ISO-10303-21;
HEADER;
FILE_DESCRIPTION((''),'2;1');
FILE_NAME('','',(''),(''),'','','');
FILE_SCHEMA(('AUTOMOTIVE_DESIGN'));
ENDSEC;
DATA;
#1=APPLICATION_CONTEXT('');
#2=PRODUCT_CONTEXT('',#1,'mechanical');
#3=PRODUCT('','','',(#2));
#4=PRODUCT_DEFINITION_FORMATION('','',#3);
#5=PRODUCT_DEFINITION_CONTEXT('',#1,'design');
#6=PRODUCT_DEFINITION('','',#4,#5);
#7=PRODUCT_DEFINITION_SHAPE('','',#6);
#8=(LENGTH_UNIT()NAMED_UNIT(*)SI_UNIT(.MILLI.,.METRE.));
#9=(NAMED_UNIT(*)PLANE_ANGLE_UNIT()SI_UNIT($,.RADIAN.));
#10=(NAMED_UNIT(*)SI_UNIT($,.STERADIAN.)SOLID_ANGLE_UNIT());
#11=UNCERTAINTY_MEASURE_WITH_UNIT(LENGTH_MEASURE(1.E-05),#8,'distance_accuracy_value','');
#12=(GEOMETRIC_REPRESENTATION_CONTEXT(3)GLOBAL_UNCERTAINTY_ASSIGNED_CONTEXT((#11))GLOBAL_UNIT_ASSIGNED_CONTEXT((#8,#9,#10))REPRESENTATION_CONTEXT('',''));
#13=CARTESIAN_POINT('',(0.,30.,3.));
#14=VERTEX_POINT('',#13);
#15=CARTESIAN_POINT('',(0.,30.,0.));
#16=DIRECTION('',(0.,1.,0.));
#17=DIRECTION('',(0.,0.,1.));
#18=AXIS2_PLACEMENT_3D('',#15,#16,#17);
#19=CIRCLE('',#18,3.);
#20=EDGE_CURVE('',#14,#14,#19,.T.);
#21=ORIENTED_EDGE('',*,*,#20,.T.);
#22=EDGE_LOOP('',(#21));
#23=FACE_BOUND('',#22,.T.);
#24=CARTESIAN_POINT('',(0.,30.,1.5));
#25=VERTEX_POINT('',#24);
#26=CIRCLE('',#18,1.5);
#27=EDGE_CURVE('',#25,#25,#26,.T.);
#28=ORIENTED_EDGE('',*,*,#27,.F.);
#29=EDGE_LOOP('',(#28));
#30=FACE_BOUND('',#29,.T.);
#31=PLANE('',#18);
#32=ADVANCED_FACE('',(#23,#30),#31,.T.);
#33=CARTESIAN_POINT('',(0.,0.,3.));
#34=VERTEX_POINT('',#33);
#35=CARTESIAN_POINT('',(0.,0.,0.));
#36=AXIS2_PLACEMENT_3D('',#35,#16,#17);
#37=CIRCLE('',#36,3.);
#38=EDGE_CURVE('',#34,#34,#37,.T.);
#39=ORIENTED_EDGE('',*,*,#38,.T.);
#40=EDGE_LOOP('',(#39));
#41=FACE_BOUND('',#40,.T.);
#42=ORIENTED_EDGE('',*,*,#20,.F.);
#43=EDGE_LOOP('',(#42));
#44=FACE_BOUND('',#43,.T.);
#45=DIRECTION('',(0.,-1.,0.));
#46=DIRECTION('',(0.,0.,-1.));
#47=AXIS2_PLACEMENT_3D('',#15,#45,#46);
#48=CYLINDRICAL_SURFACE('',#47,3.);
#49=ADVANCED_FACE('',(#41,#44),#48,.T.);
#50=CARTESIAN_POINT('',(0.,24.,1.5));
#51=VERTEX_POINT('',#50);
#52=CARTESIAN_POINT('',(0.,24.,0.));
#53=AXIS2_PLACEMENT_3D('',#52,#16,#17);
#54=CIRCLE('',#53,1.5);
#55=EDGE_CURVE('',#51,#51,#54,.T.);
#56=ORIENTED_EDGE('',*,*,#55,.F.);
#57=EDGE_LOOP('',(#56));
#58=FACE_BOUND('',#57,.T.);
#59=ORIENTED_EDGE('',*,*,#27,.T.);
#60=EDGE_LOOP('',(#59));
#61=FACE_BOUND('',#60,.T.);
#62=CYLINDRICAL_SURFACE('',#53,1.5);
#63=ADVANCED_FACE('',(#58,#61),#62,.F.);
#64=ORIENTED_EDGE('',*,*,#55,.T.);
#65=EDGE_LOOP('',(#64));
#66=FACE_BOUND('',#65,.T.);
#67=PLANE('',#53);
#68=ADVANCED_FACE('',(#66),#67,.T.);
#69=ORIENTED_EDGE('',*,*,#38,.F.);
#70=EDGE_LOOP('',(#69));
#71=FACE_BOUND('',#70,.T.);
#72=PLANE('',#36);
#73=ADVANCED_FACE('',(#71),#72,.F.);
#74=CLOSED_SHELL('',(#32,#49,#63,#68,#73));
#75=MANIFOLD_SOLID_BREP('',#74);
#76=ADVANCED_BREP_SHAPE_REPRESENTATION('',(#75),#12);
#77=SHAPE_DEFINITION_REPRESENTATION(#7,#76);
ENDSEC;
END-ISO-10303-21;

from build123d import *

# Parameters (mm, degrees)
SKETCH_1_R          = 3
EXTRUDE_1_DEPTH     = 30
SKETCH_2_R          = 1.5
CUT_EXTRUDE_1_DEPTH = 6


with BuildPart() as part:
    # 스케치1 → 보스-돌출1 (new body)
    with BuildSketch(Plane(origin=(0, 0, 0), x_dir=(1, 0, 0), z_dir=(0, 1, 0))):
        with Locations(Location((0, 0, 0), (0, 0, 270))):
            Circle(SKETCH_1_R)
    extrude(amount=EXTRUDE_1_DEPTH)

    # 스케치2 → 컷-돌출1 (cut)
    with BuildSketch(Plane(origin=(0, 30, 0), x_dir=(1, 0, 0), z_dir=(0, 1, 0))):
        with Locations(Location((0, 0, 0), (0, 0, 270))):
            Circle(SKETCH_2_R)
    extrude(amount=-CUT_EXTRUDE_1_DEPTH, mode=Mode.SUBTRACT)


solid = part.part
